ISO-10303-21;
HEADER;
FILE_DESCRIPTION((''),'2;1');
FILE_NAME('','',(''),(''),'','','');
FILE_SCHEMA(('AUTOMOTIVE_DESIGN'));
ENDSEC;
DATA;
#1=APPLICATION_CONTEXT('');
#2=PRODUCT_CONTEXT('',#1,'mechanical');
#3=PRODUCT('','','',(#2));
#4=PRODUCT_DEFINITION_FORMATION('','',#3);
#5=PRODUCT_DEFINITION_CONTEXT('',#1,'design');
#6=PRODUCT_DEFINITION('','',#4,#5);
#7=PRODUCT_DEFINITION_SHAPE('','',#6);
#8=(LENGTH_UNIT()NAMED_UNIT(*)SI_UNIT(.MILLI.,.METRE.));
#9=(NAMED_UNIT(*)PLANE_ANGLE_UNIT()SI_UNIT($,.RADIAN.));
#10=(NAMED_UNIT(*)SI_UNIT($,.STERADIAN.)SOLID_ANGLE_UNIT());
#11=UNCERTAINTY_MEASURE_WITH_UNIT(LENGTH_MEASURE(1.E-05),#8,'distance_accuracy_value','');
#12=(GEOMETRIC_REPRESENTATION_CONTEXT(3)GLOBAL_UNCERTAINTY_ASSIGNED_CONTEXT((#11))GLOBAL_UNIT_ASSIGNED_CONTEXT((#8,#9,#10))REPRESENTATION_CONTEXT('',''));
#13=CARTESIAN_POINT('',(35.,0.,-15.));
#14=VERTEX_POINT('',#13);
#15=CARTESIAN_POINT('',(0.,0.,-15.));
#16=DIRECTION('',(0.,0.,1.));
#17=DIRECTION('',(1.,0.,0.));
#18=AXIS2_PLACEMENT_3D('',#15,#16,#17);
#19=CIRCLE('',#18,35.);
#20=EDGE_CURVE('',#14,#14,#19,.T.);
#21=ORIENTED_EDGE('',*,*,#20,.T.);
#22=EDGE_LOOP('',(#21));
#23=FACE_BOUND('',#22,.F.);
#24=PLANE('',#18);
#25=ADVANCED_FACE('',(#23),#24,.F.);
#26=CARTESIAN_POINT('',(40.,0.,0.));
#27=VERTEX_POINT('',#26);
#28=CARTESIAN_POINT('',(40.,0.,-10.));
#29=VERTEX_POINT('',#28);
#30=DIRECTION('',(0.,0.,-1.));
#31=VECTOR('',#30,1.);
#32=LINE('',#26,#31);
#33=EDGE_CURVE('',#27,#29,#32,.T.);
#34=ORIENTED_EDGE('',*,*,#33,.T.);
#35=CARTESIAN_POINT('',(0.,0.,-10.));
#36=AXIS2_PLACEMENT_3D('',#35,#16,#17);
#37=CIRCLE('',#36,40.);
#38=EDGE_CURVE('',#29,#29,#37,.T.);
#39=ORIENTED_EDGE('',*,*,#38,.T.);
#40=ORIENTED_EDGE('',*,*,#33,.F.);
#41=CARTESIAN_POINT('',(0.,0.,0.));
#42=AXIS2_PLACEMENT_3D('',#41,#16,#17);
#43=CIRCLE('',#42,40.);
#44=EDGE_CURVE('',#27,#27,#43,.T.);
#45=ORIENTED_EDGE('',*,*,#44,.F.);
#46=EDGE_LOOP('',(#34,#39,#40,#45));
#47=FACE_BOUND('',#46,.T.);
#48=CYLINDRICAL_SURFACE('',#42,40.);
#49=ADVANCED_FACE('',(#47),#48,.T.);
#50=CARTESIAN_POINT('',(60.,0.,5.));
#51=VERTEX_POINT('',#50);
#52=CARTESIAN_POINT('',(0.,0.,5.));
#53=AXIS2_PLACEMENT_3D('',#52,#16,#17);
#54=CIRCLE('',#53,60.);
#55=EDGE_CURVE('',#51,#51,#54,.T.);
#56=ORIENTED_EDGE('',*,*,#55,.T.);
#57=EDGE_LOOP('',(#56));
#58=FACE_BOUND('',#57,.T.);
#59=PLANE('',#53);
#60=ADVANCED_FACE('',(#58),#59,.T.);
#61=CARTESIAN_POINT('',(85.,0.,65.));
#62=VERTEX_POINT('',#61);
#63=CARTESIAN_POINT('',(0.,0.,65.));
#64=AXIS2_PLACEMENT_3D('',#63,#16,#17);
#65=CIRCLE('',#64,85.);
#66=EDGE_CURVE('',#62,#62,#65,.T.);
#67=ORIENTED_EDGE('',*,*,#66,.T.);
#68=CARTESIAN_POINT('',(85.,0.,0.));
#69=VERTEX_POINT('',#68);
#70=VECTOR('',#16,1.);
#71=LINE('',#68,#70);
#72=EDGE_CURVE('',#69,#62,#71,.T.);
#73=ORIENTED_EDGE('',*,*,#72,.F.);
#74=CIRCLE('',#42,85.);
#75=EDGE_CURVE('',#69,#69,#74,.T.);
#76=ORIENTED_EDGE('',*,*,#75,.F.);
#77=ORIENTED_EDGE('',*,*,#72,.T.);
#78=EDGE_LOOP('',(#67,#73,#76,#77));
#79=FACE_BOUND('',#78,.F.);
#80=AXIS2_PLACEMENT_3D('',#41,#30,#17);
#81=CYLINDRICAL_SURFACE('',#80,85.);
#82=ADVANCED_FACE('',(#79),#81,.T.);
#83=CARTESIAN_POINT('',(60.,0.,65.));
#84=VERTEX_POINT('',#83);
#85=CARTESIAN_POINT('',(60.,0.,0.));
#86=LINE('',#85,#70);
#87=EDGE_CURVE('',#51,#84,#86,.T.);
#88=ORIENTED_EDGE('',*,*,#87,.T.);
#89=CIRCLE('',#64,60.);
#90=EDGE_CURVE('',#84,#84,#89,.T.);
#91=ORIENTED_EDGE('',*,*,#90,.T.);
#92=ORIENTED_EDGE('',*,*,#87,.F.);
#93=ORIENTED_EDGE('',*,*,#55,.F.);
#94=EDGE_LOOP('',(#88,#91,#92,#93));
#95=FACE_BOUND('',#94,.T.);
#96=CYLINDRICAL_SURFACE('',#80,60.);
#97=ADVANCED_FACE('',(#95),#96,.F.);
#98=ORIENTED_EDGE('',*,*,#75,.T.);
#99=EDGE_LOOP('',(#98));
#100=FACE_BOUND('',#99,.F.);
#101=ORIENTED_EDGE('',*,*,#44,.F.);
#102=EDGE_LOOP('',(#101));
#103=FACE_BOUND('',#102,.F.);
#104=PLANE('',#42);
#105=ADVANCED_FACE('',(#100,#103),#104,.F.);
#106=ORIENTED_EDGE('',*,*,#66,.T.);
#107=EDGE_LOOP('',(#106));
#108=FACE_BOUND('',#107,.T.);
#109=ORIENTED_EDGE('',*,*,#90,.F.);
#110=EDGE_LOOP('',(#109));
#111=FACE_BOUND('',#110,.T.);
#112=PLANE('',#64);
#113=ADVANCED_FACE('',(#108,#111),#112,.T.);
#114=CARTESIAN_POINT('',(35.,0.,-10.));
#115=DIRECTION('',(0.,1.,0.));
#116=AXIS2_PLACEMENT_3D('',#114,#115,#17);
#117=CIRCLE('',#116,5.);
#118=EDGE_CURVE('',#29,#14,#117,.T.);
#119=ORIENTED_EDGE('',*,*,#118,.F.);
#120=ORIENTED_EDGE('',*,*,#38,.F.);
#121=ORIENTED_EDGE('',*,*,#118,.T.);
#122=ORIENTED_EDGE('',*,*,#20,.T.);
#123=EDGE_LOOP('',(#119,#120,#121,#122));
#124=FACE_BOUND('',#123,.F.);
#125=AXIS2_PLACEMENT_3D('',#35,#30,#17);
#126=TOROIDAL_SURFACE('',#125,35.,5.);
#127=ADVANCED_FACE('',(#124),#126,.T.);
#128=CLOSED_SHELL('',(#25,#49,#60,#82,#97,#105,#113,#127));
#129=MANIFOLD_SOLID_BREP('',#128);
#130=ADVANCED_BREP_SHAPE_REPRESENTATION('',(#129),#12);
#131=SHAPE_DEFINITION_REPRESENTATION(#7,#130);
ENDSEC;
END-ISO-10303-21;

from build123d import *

# Parameters (mm, degrees)
F0_R          = 85
F0_R_2        = 60
F1_DEPTH      = 65
F0_R_3        = 40
F2_DEPTH      = 5
F3_DEPTH      = 5
F3_DEPTH_BACK = 15
F4_R          = 5


with BuildPart() as f1:
    # F0 (on Top) → F1 (new body)
    with BuildSketch(Plane.XY):
        Circle(F0_R)
        Circle(F0_R_2, mode=Mode.SUBTRACT)
    extrude(amount=F1_DEPTH)

    # F0 (on Top) → F2 (join)
    with BuildSketch(Plane.XY):
        Circle(F0_R_2)
        Circle(F0_R_3, mode=Mode.SUBTRACT)
    extrude(amount=F2_DEPTH)

    # F0 (on Top) → F3 (join, two sides)
    with BuildSketch(Plane.XY) as f3_sk:
        Circle(F0_R_3)
    extrude(amount=F3_DEPTH)
    extrude(f3_sk.sketch, amount=-F3_DEPTH_BACK)

    # F4
    f4_edges = [f1.edges().sort_by_distance(p)[0] for p in [
        (-40, 0, -15),
    ]]
    fillet(f4_edges, radius=F4_R)


solid = f1.part
